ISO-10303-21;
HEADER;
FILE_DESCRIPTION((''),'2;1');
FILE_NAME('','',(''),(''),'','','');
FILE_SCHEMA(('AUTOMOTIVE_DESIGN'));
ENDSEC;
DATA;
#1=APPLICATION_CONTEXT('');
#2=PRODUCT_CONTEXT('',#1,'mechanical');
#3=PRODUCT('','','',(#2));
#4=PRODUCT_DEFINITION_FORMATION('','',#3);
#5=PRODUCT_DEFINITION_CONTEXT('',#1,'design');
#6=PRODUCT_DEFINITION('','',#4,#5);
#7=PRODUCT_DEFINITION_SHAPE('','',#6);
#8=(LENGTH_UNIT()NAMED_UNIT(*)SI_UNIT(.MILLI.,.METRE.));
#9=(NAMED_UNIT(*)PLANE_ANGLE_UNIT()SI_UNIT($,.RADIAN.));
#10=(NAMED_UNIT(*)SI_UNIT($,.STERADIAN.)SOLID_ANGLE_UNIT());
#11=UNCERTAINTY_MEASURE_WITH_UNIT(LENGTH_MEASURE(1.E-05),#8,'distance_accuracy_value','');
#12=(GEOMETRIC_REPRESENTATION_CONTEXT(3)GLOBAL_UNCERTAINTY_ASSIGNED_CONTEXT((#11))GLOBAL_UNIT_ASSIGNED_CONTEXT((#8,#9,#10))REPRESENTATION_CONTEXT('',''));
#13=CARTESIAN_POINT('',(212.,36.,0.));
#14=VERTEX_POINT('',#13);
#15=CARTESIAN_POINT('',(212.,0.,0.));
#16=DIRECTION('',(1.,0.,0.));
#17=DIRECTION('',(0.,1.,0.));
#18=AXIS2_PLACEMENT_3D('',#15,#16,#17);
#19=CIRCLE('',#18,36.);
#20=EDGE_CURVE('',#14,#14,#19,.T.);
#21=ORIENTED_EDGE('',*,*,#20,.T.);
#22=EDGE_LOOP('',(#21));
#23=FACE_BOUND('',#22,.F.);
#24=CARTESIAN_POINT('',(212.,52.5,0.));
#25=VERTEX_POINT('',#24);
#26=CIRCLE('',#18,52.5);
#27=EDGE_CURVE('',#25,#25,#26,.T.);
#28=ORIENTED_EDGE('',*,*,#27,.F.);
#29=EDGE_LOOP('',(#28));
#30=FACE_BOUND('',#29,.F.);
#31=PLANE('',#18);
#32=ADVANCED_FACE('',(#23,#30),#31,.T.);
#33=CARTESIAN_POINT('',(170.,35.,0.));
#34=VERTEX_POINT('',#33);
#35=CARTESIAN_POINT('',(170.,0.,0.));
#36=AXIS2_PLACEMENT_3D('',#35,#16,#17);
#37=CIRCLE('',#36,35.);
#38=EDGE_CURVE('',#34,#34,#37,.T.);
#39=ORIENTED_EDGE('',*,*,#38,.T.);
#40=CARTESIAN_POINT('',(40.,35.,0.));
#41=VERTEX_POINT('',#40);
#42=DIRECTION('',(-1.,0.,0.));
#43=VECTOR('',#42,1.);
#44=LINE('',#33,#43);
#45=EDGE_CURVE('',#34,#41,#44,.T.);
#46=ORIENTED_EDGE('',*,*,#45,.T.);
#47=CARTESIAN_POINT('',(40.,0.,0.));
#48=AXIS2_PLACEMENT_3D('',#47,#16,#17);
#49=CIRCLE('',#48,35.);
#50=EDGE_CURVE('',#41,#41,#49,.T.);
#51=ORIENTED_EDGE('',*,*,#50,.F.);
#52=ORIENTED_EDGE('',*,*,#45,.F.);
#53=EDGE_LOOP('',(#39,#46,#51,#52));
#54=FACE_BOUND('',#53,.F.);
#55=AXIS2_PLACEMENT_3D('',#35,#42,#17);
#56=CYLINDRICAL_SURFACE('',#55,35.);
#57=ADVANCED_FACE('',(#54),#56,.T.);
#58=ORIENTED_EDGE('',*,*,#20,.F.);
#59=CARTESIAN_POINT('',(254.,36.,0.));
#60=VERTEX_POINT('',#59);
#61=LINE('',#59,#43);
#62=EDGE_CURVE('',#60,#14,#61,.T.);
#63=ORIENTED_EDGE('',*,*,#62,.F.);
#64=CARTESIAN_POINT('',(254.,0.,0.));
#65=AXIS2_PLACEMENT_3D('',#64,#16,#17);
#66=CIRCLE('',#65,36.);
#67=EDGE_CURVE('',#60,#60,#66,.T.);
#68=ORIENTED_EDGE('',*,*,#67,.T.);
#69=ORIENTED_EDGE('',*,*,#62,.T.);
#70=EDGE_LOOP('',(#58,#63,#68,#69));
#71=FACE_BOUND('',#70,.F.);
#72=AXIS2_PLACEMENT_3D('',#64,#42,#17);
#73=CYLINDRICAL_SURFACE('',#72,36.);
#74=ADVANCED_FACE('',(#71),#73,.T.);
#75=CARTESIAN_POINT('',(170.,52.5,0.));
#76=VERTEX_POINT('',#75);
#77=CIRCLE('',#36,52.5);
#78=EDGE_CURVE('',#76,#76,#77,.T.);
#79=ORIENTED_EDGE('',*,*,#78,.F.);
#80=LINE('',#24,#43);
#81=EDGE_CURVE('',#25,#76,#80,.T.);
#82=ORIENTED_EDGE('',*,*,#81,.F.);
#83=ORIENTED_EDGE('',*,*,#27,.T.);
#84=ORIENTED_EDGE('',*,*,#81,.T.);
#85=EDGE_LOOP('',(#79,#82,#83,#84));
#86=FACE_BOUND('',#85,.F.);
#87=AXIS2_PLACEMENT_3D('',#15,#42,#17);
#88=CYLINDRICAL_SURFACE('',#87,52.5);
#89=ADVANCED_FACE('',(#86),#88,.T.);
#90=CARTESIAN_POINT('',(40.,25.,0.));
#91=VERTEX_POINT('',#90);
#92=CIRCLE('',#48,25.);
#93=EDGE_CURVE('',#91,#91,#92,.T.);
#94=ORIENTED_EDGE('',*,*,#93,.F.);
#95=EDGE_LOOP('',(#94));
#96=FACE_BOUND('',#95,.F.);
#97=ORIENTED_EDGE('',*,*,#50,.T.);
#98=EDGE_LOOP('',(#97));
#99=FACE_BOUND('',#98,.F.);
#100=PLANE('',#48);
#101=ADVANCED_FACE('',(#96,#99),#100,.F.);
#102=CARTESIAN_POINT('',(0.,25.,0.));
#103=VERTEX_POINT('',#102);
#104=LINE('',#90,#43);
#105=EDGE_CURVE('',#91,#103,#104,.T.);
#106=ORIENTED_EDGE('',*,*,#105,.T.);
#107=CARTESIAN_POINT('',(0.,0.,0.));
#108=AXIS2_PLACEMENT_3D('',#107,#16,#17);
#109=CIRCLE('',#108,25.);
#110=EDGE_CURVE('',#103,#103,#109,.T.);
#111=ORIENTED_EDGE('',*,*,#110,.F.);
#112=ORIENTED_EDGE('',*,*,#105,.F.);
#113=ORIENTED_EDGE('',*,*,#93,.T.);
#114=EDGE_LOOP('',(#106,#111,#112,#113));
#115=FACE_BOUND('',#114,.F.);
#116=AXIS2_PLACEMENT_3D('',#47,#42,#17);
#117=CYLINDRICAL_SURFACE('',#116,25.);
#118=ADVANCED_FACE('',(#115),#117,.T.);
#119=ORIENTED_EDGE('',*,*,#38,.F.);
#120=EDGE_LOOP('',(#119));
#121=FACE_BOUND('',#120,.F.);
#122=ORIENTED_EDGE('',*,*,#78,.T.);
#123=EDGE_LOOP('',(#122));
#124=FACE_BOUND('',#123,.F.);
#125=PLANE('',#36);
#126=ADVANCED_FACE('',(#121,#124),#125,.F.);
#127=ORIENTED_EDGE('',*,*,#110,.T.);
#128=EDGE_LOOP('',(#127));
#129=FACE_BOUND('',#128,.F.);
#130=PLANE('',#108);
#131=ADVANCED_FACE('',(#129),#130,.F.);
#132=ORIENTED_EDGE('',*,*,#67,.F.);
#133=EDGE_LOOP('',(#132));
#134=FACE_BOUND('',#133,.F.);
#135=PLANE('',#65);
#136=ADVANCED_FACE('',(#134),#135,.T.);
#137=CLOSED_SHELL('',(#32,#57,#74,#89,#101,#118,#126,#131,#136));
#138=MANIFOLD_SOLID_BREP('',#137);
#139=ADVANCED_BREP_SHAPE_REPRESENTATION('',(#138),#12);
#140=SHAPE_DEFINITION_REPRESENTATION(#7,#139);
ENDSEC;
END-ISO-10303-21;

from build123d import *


with BuildPart() as part:
    # SketchShaft → RevolutionShaft (revolve)
    with BuildSketch(Plane.XY):
        Polygon((0, 0), (254, 0), (254, 36), (212, 36), (212, 52.5), (170, 52.5), (170, 35), (40, 35), (40, 25), (0, 25), align=None)
    revolve(axis=Axis((0, 0, 0), (1, 0, 0)))


solid = part.part
